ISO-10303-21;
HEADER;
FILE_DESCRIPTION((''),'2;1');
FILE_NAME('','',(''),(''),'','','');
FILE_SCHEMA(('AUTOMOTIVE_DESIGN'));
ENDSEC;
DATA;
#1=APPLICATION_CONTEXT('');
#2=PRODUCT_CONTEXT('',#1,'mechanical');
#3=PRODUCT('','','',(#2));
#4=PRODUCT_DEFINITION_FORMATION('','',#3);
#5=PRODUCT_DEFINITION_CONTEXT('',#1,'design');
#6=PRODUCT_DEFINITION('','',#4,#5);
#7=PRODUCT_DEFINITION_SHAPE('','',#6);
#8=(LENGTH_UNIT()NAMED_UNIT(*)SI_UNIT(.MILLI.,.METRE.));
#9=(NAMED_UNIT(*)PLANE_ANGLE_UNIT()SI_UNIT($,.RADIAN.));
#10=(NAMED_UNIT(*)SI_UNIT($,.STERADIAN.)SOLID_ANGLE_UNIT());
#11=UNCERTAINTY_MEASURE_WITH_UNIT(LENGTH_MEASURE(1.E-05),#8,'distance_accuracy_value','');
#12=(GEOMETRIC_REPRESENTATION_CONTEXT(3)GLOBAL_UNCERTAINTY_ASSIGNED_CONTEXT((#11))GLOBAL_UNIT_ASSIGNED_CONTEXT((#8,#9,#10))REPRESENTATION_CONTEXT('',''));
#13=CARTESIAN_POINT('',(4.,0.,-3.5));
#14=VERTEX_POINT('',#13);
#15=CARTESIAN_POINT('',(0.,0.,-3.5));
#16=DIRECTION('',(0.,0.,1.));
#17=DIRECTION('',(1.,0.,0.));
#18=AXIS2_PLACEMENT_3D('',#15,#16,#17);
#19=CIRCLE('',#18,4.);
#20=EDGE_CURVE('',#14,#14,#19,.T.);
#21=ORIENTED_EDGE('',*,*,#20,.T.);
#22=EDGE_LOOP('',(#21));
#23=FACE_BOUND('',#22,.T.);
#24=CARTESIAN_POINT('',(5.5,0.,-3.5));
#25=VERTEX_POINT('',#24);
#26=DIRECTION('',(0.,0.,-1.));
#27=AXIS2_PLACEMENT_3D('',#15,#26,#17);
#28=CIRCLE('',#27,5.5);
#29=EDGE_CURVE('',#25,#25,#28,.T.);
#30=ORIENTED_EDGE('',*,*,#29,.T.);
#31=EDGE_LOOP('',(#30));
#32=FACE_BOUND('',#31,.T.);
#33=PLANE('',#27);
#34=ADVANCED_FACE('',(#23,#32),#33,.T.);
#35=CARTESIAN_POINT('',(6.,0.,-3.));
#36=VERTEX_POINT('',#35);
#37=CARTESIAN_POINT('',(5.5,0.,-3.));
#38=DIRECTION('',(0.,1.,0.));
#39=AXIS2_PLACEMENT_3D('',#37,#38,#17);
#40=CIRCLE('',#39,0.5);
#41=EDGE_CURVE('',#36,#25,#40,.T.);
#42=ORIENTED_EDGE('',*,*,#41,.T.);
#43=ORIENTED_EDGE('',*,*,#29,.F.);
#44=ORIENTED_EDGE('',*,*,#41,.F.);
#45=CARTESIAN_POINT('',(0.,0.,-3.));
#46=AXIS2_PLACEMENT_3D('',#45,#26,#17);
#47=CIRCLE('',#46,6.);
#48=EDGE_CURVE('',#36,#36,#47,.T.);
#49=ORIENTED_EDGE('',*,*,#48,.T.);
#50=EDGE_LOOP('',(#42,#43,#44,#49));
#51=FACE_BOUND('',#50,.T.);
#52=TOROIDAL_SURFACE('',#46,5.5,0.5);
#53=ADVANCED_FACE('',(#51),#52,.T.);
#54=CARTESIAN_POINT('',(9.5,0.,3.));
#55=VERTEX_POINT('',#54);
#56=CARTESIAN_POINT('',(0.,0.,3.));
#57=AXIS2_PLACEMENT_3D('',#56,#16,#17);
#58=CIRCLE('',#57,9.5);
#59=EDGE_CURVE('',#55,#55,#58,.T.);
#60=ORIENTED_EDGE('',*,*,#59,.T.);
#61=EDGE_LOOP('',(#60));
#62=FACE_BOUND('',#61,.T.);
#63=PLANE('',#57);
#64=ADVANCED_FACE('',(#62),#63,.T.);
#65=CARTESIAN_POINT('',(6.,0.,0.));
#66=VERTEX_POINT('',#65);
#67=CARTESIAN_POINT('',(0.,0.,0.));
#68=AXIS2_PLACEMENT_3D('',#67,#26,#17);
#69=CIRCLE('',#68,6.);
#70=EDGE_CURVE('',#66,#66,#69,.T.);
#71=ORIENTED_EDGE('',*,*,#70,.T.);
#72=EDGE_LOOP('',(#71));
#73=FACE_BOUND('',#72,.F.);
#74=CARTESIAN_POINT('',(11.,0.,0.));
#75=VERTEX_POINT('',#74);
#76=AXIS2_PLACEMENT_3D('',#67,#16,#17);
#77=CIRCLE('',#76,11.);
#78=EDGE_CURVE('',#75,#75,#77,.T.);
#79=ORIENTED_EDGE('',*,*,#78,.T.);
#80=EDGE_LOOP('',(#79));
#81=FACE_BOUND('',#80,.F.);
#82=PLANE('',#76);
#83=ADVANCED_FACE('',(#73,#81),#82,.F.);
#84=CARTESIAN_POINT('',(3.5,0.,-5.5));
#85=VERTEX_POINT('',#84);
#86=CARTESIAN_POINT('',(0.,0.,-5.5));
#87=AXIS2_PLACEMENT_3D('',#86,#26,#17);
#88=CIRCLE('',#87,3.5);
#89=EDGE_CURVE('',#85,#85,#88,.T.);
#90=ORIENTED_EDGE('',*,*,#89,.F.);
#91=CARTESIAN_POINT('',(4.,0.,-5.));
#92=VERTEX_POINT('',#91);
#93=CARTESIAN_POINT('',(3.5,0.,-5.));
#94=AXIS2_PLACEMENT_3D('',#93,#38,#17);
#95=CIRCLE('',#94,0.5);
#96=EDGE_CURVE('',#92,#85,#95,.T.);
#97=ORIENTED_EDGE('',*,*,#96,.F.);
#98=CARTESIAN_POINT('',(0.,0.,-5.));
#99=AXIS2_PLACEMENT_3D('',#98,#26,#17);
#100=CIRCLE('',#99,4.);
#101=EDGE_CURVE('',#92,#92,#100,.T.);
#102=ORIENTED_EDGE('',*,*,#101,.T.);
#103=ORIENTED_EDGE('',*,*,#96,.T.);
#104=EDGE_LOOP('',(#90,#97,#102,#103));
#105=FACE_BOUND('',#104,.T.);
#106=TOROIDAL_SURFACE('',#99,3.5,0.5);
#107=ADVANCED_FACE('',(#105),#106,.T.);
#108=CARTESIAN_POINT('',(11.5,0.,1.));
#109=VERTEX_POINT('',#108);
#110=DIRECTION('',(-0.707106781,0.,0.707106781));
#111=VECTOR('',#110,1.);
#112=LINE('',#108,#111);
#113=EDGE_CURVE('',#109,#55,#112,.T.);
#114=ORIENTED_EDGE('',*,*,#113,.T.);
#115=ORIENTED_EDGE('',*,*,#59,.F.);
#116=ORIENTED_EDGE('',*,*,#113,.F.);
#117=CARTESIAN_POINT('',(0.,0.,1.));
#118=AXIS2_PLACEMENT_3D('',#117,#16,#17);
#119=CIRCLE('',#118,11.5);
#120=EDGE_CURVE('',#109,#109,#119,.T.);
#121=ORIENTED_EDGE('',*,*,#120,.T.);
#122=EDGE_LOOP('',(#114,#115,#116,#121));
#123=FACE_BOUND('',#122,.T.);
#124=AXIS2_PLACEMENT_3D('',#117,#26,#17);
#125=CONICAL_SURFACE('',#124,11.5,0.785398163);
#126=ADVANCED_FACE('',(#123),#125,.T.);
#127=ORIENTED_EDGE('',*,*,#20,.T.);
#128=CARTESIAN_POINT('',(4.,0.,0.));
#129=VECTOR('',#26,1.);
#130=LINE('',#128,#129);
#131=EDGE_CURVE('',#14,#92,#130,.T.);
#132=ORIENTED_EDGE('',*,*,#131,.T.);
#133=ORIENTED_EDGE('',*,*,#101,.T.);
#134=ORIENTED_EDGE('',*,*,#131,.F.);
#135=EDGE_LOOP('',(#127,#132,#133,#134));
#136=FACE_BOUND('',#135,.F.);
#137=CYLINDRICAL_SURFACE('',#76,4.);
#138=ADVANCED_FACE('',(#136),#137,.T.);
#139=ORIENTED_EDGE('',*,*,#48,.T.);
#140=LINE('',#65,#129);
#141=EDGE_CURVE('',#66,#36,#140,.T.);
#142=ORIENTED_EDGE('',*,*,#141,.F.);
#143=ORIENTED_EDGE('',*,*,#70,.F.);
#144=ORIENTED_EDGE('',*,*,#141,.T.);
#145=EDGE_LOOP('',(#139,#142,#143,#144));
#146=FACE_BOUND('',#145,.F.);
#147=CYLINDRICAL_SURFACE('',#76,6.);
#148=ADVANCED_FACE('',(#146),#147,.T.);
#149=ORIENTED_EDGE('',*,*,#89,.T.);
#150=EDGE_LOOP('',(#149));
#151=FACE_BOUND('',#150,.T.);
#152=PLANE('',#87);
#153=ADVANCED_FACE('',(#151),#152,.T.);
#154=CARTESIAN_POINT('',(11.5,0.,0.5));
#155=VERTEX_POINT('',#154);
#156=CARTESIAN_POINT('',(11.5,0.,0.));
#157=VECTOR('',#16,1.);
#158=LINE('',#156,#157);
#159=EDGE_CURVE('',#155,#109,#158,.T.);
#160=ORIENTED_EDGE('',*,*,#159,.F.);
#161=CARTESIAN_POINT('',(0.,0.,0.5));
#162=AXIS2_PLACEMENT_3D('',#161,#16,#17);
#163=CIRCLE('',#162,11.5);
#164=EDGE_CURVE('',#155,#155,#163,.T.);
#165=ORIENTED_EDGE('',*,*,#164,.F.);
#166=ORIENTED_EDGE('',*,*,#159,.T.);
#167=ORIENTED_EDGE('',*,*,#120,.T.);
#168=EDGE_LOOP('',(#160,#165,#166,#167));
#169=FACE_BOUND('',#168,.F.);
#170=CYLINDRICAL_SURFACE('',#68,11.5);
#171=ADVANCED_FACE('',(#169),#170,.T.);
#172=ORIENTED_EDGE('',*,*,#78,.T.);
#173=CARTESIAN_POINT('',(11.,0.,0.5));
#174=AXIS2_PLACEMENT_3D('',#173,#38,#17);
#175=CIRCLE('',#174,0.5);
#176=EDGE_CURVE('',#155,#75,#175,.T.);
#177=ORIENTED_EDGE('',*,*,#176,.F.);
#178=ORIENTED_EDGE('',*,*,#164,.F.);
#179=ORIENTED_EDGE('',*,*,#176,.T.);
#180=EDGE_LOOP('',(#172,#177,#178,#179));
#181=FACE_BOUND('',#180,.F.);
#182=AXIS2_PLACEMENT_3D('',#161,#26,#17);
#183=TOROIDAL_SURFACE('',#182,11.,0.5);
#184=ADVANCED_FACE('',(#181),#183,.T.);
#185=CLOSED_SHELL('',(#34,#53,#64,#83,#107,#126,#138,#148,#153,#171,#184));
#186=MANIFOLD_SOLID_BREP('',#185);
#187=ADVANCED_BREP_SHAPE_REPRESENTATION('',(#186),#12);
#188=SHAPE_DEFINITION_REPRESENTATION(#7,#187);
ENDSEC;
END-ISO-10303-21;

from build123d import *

# Parameters (mm, degrees)
F0_R     = 11.5
F1_DEPTH = 3
F2_R     = 4
F3_DEPTH = 5.5
F4_R     = 6
F5_DEPTH = 3.5
F6_SIZE  = 2
F7_R     = 0.5


with BuildPart() as f1:
    # F0 (on Top) → F1 (new body)
    with BuildSketch(Plane.XY):
        Circle(F0_R)
    extrude(amount=F1_DEPTH)

    # F2 (on face) → F3 (join)
    with BuildSketch(Plane(origin=(0, 0, 0), x_dir=(1, 0, 0), z_dir=(0, 0, -1))):
        Circle(F2_R)
    extrude(amount=F3_DEPTH)

    # F4 (on face) → F5 (join)
    with BuildSketch(Plane(origin=(0, 0, 0), x_dir=(1, 0, 0), z_dir=(0, 0, -1))):
        Circle(F4_R)
    extrude(amount=F5_DEPTH)

    # F6
    f6_edges = [f1.edges().sort_by_distance(p)[0] for p in [
        (-11.5, 0, 3),
    ]]
    chamfer(f6_edges, length=F6_SIZE)

    # F7
    f7_edges = [f1.edges().sort_by_distance(p)[0] for p in [
        (-6, 0, -3.5),
        (-4, 0, -5.5),
        (-11.5, 0, 0),
    ]]
    fillet(f7_edges, radius=F7_R)


solid = f1.part
